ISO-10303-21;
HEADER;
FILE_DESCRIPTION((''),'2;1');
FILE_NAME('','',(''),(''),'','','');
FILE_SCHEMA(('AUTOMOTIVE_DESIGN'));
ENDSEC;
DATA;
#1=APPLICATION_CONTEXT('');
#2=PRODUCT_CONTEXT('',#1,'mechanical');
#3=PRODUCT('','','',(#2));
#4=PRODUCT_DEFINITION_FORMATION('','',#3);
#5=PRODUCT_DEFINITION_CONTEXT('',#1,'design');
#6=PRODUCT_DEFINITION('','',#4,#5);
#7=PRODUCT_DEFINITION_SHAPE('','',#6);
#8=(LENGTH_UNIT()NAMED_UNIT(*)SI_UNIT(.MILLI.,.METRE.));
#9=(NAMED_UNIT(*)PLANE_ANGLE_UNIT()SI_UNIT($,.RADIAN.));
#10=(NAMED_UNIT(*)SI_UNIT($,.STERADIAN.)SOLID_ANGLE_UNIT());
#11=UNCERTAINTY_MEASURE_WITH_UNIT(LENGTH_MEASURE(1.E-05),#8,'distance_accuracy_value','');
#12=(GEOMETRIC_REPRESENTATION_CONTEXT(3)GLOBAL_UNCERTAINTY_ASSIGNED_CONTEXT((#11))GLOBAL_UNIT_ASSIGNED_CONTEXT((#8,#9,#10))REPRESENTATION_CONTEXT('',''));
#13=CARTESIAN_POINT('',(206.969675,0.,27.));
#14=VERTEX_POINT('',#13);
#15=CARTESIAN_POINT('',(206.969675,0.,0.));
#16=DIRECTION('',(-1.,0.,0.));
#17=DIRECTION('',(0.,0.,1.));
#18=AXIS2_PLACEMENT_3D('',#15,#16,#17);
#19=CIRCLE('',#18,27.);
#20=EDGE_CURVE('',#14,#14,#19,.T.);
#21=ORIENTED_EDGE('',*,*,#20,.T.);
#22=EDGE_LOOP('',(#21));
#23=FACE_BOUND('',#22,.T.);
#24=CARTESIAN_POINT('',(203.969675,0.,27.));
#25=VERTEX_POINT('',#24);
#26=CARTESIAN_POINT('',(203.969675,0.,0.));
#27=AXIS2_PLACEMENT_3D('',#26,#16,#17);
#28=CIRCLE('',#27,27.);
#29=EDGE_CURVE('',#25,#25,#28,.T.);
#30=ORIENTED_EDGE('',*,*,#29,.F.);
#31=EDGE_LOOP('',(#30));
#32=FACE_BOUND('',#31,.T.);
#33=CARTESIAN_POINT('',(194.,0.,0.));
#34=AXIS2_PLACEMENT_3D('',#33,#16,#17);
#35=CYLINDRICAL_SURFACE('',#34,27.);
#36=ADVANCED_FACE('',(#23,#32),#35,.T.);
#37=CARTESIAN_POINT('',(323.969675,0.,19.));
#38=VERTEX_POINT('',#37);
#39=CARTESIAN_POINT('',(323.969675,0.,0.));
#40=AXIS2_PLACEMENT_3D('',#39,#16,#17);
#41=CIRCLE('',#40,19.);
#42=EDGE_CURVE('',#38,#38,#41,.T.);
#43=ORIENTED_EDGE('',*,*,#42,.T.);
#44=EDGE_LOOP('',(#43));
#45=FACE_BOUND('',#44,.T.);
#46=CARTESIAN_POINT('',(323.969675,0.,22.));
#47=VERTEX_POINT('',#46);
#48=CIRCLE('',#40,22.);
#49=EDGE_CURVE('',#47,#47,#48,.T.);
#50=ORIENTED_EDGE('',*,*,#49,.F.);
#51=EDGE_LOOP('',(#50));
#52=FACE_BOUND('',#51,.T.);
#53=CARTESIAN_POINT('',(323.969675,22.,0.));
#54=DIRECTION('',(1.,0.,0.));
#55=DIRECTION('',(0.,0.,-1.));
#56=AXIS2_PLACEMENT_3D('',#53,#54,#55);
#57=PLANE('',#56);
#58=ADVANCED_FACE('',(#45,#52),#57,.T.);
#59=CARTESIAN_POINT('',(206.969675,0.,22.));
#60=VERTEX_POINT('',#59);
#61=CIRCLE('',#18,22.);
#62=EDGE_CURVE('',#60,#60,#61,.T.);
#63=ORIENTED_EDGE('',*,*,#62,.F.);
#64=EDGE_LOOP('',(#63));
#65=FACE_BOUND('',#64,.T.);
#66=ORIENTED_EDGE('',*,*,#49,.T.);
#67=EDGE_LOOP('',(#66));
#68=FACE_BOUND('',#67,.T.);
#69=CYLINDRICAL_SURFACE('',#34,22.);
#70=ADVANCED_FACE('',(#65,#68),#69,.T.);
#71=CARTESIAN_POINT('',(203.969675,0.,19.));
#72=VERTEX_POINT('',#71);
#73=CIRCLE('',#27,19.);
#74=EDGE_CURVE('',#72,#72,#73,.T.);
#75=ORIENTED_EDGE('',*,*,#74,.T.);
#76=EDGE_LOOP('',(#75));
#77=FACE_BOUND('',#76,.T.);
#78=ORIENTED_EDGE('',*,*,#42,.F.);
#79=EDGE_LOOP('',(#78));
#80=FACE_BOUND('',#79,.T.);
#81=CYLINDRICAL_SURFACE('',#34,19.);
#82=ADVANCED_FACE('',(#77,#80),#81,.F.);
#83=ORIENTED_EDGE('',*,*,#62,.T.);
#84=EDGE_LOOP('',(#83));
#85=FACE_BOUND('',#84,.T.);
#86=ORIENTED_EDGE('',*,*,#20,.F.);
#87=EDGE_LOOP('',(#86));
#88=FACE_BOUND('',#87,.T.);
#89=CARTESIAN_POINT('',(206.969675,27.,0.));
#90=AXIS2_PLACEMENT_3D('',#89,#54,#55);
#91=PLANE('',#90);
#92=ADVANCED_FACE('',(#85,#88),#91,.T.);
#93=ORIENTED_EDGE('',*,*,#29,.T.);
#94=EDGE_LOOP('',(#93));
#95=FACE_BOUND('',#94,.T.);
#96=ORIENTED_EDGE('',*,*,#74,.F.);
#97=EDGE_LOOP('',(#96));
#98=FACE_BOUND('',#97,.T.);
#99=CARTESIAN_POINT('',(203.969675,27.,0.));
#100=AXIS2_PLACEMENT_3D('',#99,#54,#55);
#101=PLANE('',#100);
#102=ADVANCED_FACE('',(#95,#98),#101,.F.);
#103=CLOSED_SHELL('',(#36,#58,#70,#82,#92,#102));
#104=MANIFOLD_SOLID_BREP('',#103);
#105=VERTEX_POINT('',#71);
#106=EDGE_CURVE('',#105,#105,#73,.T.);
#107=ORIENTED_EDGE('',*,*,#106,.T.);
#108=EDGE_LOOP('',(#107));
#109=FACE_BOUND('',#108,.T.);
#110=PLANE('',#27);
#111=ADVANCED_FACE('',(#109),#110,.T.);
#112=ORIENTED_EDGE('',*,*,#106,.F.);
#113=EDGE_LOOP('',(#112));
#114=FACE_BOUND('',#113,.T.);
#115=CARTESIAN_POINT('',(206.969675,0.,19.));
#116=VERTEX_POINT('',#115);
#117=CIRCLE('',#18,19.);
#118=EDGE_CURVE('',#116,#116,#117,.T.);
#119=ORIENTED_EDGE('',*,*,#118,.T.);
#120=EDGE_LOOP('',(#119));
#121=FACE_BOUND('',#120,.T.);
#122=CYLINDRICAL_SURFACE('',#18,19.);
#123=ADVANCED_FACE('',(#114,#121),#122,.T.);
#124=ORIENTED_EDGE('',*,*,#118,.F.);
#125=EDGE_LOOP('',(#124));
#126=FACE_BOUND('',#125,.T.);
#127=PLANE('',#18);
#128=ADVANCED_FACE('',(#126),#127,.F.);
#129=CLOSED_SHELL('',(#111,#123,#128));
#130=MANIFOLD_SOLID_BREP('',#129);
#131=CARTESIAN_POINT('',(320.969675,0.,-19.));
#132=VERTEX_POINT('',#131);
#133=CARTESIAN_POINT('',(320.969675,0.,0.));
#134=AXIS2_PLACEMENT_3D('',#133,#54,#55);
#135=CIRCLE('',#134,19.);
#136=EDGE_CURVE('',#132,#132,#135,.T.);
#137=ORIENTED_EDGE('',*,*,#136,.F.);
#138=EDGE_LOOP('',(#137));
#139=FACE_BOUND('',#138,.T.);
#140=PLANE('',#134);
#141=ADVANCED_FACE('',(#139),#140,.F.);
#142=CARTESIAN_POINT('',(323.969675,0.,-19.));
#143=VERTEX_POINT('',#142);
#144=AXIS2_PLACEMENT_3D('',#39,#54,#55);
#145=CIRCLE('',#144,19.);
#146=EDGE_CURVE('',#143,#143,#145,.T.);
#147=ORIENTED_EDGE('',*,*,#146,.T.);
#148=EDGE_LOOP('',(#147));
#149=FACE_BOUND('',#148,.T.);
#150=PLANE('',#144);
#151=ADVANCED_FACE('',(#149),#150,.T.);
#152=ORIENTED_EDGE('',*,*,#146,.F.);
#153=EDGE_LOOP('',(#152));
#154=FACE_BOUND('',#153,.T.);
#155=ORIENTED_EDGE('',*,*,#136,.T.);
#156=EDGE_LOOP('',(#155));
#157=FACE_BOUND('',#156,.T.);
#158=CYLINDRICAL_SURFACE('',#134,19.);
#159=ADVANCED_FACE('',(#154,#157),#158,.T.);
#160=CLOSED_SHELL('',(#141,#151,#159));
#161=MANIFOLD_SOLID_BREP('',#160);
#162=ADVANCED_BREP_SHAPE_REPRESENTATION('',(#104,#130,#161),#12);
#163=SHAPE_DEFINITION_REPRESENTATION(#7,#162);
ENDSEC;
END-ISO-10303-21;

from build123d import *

# Parameters (mm, degrees)
SKETCH2_R           = 19
BOSS_EXTRUDE1_DEPTH = 3
SKETCH3_R           = 19
BOSS_EXTRUDE2_DEPTH = 3


with BuildPart() as part:
    # Sketch1 → Revolve-Thin1 (revolve)
    with BuildSketch(Plane.XY):
        Polygon((203.969675214, 27), (203.969675214, 19), (323.969675214, 19), (323.969675214, 22), (206.969675214, 22), (206.969675214, 27), align=None)
    revolve(axis=Axis((194, 0, 0), (1, 0, 0)))


with BuildPart() as body_2:
    # Sketch2 → Boss-Extrude1 (new body)
    with BuildSketch(Plane.ZY.offset(-203.969675214)):
        Circle(SKETCH2_R)
    extrude(amount=-BOSS_EXTRUDE1_DEPTH)


with BuildPart() as body_3:
    # Sketch3 → Boss-Extrude2 (new body)
    with BuildSketch(Plane(origin=(323.969675214, 0, 0), x_dir=(0, 0, -1), z_dir=(1, 0, 0))):
        Circle(SKETCH3_R)
    extrude(amount=-BOSS_EXTRUDE2_DEPTH)


solid = Compound([part.part, body_2.part, body_3.part])
